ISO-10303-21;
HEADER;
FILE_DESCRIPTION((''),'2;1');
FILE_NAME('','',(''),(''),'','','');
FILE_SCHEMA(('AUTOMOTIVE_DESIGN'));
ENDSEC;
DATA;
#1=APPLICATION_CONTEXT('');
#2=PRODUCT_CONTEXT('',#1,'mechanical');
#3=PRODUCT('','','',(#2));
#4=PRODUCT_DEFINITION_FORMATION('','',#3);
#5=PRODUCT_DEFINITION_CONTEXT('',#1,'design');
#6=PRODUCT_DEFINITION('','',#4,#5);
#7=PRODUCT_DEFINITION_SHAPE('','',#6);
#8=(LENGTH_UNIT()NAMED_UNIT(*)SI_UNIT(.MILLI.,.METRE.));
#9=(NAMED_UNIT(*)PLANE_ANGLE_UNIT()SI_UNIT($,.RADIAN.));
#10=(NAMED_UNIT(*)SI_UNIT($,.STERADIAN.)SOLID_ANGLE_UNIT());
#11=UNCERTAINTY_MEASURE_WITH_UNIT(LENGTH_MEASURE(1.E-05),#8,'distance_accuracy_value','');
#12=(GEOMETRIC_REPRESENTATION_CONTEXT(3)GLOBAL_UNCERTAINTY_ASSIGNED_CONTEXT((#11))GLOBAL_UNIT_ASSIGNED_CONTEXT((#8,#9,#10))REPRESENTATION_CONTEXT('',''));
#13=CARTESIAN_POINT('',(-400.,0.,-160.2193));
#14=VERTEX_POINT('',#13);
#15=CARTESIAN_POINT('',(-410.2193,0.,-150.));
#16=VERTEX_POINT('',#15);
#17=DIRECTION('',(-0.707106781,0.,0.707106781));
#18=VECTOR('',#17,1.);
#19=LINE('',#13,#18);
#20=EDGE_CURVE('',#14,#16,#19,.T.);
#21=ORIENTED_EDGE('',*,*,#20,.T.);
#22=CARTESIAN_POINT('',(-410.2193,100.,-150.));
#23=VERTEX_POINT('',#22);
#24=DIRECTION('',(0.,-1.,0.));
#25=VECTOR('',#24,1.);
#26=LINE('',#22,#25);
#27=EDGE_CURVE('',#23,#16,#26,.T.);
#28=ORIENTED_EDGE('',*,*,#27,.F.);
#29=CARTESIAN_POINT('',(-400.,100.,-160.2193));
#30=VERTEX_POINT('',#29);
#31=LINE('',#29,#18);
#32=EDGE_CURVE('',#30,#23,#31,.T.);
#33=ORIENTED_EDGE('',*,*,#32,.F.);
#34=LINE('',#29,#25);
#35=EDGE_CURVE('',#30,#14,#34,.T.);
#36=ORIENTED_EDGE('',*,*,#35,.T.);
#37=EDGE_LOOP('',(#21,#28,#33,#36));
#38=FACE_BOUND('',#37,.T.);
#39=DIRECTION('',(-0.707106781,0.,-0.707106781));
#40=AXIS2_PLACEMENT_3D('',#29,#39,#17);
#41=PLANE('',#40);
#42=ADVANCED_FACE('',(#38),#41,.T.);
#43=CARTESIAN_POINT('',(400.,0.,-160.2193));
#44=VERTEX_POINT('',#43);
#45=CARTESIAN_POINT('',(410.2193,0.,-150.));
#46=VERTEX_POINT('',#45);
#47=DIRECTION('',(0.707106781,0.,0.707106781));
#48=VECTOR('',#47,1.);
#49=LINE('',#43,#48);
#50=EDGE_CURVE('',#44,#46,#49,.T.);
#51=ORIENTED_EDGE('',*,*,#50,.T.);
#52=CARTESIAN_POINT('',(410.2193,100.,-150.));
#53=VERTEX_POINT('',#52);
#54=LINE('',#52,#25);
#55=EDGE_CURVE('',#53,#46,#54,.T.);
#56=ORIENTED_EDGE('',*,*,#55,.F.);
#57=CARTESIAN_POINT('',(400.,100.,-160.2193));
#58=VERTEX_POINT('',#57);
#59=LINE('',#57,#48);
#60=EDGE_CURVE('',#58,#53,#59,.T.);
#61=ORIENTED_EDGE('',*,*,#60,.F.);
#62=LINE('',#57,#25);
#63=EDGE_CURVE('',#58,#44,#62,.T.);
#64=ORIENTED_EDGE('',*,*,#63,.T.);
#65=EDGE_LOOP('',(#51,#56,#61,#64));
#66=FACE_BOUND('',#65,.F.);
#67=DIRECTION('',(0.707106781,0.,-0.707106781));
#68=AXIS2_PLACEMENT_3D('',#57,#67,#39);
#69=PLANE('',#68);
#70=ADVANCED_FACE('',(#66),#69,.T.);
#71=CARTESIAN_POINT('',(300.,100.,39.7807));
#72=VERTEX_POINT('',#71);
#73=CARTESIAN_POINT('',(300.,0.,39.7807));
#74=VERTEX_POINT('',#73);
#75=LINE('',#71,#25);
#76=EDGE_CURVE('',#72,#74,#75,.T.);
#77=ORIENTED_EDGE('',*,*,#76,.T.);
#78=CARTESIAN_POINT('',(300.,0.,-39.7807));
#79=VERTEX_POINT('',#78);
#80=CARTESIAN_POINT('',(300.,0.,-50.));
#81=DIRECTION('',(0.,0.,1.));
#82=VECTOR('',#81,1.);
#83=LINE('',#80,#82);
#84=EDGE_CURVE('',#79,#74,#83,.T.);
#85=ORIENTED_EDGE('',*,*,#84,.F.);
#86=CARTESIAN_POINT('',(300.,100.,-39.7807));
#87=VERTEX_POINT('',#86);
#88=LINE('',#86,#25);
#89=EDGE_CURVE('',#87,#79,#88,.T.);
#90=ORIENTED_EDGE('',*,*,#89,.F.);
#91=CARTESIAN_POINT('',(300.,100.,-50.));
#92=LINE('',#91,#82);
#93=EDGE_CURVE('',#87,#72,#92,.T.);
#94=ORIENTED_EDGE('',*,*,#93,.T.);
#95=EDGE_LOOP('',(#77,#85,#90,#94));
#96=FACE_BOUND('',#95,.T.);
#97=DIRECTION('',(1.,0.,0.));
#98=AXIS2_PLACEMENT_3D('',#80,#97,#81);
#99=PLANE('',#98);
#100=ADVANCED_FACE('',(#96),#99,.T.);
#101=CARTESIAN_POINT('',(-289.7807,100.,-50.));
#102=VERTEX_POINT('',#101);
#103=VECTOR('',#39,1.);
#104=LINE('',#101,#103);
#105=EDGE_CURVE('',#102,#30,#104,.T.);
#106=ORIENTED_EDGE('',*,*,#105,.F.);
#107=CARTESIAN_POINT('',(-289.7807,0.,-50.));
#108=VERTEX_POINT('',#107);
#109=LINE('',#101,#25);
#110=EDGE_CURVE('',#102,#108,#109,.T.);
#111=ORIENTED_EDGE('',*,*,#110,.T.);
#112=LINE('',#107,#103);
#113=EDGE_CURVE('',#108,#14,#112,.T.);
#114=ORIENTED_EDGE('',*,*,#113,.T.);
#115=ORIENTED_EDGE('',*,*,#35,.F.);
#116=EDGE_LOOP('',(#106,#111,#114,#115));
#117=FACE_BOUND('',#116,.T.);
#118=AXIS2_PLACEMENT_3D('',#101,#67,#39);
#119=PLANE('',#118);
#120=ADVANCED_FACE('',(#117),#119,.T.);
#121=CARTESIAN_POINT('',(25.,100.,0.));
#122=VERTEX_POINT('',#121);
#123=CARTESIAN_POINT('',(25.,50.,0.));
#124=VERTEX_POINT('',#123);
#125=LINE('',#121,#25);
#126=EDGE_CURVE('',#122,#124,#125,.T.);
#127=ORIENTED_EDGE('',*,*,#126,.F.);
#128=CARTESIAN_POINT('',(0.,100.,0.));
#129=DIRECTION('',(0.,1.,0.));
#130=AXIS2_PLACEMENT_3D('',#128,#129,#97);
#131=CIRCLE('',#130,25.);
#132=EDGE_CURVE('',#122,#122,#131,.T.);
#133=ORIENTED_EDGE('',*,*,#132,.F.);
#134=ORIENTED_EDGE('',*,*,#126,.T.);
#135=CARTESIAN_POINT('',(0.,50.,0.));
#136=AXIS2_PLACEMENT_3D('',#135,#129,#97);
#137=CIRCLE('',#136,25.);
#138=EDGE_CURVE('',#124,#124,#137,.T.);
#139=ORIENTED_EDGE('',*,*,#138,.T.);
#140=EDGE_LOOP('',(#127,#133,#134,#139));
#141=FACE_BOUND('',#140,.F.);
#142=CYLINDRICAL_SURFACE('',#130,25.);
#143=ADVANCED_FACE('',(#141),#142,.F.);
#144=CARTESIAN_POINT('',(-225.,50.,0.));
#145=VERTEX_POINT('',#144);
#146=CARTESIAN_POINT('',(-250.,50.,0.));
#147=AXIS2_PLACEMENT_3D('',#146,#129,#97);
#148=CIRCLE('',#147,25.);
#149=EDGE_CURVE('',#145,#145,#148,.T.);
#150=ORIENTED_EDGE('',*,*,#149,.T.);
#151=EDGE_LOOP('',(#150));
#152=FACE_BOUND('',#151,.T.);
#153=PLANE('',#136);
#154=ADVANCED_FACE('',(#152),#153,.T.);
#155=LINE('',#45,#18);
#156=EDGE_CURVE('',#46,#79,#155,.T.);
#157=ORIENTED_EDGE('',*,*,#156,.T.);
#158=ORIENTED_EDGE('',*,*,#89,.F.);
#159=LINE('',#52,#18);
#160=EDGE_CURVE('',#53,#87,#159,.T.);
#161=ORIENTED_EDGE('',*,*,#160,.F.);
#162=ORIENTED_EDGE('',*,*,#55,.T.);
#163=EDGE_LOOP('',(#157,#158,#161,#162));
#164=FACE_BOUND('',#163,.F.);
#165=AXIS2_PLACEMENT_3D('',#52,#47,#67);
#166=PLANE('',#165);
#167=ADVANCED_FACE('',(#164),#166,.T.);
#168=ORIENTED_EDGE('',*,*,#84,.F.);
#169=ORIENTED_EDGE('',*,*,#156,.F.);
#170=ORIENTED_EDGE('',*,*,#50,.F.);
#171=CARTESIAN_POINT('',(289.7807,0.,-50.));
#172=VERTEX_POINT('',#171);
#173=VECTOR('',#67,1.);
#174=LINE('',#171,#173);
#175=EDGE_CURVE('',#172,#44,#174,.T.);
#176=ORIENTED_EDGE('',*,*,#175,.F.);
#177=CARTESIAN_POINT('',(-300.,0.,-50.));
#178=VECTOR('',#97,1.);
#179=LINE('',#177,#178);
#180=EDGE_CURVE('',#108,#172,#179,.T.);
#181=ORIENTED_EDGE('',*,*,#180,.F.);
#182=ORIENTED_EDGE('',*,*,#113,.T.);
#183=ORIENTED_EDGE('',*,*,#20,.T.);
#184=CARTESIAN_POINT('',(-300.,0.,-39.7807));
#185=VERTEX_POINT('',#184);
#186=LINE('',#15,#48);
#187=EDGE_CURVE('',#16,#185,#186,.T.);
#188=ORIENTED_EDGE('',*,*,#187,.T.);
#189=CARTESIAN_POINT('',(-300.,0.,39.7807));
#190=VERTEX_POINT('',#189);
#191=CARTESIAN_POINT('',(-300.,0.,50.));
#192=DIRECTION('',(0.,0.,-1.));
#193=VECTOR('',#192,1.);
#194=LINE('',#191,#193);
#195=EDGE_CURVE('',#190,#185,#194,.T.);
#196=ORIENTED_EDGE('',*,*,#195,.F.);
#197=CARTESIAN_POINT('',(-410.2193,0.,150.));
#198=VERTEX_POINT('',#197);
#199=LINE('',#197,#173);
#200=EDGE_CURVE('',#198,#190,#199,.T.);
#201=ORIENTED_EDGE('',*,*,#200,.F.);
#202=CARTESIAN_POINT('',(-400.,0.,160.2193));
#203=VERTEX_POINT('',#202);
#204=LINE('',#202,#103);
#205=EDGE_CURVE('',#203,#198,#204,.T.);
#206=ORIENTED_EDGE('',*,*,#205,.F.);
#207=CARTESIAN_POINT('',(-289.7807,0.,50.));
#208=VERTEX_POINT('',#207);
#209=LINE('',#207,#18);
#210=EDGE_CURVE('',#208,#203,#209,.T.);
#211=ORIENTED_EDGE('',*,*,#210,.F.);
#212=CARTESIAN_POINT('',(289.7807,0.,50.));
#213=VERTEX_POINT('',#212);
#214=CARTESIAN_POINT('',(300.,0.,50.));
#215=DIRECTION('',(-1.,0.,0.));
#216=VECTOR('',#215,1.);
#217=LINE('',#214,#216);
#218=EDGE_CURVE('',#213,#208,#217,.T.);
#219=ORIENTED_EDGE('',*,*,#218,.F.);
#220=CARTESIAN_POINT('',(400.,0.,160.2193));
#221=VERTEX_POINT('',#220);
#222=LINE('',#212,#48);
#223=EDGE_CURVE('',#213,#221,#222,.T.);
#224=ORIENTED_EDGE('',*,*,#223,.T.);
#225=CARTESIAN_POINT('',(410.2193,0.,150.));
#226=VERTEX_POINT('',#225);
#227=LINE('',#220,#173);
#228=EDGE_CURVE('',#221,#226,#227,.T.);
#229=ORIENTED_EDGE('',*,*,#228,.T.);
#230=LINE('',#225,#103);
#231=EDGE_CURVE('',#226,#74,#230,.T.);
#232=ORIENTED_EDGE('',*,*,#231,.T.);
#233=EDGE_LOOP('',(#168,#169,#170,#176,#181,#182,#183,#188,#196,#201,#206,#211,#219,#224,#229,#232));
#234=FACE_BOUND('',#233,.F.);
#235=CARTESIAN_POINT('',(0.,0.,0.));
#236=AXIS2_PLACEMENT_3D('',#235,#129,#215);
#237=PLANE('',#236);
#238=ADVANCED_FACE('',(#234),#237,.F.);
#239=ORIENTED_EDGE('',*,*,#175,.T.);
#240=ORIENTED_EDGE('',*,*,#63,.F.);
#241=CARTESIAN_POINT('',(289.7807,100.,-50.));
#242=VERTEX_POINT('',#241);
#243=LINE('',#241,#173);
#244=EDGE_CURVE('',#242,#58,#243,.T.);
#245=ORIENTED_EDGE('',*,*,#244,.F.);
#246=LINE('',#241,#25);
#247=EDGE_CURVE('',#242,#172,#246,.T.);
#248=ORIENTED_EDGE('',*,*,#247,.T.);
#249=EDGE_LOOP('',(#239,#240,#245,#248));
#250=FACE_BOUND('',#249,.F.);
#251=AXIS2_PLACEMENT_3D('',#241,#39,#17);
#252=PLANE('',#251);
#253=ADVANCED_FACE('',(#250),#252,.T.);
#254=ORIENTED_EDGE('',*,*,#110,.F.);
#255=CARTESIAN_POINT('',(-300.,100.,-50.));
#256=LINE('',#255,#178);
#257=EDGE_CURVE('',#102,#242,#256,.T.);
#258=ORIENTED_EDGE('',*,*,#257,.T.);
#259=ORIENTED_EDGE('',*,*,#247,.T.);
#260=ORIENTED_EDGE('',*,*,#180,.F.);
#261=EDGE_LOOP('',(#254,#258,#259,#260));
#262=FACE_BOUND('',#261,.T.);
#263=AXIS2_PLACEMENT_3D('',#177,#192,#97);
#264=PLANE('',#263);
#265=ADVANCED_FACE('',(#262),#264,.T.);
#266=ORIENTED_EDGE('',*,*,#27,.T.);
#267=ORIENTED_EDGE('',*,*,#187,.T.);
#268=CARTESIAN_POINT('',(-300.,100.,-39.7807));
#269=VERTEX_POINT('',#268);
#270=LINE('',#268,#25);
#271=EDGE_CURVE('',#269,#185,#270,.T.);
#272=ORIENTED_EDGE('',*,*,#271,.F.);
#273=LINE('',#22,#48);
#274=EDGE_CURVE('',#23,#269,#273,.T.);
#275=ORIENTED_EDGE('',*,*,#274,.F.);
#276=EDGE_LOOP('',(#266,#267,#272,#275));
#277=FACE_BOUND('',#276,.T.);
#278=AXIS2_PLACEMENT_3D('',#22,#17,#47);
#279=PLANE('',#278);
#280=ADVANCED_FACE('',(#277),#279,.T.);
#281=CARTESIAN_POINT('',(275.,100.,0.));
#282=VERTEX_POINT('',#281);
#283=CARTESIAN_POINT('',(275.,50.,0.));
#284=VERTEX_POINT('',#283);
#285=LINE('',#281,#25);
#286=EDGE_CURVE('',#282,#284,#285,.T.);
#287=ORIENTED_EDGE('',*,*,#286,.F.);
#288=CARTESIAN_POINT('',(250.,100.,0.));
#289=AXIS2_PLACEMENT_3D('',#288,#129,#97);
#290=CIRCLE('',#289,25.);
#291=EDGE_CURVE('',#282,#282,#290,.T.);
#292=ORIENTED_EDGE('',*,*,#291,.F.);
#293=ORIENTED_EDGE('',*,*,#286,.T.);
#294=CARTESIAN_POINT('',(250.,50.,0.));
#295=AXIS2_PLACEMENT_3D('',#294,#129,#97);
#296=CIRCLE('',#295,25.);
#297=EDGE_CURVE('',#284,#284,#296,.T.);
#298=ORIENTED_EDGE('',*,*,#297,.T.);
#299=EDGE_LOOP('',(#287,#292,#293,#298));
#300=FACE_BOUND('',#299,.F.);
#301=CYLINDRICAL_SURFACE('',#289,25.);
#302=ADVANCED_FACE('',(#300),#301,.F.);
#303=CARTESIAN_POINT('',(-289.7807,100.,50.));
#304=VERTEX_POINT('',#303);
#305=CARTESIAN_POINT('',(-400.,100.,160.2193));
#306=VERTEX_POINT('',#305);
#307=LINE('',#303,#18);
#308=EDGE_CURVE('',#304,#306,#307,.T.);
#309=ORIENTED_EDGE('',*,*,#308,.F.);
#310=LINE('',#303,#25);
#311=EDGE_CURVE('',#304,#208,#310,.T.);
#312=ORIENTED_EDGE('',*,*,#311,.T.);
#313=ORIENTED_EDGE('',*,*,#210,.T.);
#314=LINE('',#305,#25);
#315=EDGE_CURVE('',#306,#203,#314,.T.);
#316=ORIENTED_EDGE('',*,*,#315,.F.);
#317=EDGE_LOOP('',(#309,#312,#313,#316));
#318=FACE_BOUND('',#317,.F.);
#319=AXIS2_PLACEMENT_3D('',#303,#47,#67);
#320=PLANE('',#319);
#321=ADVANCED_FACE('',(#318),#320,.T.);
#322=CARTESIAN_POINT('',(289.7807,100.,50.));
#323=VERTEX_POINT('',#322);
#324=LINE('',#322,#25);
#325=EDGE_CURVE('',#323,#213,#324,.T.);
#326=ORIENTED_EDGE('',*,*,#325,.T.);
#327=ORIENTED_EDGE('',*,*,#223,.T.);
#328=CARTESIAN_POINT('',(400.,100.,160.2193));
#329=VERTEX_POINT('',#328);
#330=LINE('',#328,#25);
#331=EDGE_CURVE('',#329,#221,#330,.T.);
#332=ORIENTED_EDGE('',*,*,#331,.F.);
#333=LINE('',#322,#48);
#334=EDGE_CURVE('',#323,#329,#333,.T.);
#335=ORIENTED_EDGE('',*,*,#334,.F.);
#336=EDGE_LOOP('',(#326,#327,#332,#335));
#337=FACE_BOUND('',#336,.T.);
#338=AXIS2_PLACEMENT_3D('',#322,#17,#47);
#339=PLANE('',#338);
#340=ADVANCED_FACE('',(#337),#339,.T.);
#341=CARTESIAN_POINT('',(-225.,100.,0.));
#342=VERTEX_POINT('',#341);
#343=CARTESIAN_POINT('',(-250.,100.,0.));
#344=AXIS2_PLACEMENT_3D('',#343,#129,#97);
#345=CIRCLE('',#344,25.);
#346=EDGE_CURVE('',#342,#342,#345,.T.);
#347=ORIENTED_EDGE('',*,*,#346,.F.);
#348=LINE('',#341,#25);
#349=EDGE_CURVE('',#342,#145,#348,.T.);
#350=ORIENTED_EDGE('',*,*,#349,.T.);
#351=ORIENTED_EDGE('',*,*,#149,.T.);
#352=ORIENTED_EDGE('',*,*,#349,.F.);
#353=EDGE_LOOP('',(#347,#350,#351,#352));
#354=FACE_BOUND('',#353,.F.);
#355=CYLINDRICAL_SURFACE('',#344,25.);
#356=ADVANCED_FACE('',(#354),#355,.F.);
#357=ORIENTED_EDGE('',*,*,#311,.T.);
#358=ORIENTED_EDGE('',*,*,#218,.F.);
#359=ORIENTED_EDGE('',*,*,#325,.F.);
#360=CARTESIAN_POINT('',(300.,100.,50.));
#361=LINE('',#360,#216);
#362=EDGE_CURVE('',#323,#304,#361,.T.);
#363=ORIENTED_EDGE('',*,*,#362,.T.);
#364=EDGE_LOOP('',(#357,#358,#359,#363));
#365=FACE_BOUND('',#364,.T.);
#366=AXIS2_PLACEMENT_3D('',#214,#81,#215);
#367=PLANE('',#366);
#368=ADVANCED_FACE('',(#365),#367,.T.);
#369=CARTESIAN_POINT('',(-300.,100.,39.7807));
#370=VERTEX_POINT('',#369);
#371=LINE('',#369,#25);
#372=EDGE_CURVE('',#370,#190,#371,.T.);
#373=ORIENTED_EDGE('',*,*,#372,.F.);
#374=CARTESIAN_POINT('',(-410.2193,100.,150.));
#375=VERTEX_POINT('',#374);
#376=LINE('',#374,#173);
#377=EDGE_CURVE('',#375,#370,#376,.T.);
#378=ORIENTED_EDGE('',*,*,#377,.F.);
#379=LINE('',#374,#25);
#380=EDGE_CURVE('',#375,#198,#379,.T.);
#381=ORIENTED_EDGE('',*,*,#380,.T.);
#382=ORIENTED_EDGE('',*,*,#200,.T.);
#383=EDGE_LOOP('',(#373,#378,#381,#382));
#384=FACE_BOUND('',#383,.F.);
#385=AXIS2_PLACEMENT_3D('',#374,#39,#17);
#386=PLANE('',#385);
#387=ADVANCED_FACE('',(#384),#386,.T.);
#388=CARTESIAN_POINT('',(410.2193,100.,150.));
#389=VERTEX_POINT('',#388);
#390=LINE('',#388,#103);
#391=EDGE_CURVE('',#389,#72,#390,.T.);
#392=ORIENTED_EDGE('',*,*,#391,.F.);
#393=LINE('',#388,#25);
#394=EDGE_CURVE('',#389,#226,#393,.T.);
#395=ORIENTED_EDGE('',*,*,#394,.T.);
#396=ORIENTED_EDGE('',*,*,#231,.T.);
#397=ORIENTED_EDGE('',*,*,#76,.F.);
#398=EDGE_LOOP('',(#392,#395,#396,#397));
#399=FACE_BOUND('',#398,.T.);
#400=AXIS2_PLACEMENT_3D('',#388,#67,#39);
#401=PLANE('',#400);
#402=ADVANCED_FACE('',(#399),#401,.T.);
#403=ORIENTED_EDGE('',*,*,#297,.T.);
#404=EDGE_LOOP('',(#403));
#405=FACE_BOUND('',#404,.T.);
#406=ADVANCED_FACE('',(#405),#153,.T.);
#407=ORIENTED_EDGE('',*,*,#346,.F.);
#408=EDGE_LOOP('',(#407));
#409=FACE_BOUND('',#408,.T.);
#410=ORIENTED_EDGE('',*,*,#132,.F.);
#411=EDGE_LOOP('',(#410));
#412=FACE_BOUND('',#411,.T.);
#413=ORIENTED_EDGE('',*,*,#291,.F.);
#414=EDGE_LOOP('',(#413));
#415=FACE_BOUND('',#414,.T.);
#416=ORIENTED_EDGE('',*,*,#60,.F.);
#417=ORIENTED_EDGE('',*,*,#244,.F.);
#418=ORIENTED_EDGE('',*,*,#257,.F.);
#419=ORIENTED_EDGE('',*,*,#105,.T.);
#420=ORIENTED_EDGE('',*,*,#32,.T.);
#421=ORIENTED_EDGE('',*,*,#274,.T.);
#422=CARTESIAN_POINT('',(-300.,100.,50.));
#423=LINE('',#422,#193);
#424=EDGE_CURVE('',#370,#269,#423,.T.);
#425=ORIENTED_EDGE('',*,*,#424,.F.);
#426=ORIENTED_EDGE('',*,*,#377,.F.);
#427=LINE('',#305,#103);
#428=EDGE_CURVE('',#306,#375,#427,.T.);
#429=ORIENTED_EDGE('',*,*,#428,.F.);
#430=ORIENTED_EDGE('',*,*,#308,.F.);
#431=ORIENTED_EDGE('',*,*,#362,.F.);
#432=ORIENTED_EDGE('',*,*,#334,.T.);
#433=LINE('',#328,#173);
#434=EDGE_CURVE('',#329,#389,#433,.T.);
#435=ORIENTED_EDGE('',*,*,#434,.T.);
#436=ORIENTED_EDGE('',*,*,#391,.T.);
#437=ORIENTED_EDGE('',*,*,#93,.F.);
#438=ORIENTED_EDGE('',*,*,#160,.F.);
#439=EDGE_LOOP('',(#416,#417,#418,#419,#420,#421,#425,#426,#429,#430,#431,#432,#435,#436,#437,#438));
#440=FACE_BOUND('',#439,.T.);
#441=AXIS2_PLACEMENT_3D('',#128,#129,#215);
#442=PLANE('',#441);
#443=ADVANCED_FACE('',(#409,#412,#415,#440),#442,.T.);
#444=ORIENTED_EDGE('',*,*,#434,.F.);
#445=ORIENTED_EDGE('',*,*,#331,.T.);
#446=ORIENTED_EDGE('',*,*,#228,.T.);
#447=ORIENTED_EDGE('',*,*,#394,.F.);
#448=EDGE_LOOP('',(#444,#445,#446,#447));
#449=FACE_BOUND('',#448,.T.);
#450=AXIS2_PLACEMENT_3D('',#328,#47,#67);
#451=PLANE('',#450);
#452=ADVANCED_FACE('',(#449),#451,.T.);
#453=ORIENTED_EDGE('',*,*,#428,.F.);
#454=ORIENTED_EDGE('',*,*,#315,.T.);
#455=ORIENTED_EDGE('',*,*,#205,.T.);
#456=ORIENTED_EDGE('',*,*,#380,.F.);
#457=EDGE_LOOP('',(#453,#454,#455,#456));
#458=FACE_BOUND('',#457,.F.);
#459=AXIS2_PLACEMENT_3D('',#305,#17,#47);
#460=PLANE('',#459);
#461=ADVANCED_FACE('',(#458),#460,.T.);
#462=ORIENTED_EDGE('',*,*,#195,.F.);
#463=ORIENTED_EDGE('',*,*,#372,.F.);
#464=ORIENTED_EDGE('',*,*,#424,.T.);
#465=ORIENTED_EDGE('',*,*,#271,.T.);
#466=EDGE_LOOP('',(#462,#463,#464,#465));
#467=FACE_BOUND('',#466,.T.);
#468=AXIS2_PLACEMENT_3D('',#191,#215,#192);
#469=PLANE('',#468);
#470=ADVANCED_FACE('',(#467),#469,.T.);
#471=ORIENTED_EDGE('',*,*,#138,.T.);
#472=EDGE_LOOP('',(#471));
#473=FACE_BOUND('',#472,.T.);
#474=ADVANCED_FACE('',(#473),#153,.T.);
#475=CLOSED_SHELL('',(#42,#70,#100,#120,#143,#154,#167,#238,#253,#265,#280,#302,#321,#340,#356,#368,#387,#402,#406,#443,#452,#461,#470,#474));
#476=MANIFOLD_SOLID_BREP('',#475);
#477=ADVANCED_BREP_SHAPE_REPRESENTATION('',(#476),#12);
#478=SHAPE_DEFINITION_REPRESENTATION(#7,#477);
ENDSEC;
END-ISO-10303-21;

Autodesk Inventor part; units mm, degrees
ref_plane "YZ Plane" through (0, 0, 0) normal (1, 0, 0) x (0, 1, 0)
ref_plane "XZ Plane" through (0, 0, 0) normal (0, 1, 0) x (-1, 0, 0)
ref_plane "XY Plane" through (0, 0, 0) normal (0, 0, 1) x (1, 0, 0)
sketch "Sketch1" plane through (0, 0, 0) normal (0, 1, 0) x (-1, 0, 0)
  line L0 (-300, 50) -> (300, 50)
  line L1 (300, 50) -> (300, -50)
  line L2 (300, -50) -> (-300, -50)
  line L3 (-300, -50) -> (-300, 50)
  line L4 (-300, 50) -> (300, -50) construction
  line L5 (300, 50) -> (-300, -50) construction
  point P0 (0, 0)
  dimension "d0" = 100
  dimension "d1" = 600
extrude "Extrusion1" add sketch "Sketch1" along normal blind 100
sketch "Sketch2" plane through (0, 100, 0) normal (0, 1, 0) x (1, 0, 0)
  line L0 (300, 50) -> (-300, 50) projected
  line L1 (-300, 50) -> (-400, 150) construction
  line L2 (-410.2193, 150) -> (-300, 39.7807)
  line L3 (-300, 39.7807) -> (-289.7807, 50)
  line L4 (-289.7807, 50) -> (-400, 160.2193)
  line L5 (-400, 160.2193) -> (-410.2193, 150)
  line L6 (-410.2193, 150) -> (-289.7807, 50) construction
  line L7 (-300, 39.7807) -> (-400, 160.2193) construction
  point P0 (0, 0)
  point P1 (-350, 100)
  dimension "d4" = 135
  dimension "d5" = 100
  dimension "d6" = 135
extrude "Extrusion2" add sketch "Sketch2" against normal up to surface (100 mm away)
mirror "Mirror1" about plane through (0, 0, 0) normal (1, 0, 0) of "Extrusion2"
mirror "Mirror2" about plane through (0, 0, 0) normal (0, 0, 1) of "Extrusion2", "Mirror1"
sketch "Sketch4" plane through (0, 100, 0) normal (0, 1, 0) x (1, 0, 0)
  circle A0 centre (0, 0) radius 25
  line L0 (-300, 39.7807) -> (-300, -39.7807) construction
  line L1 (-300, 0) -> (300, 0) construction
  line L2 (300, -39.7807) -> (300, 39.7807) construction
  circle A1 centre (250, 0) radius 25
  line L3 (-50, 0) -> (550, 0) construction
  circle A2 centre (-250, 0) radius 25
  line L4 (-550, 0) -> (50, 0) construction
  circle A3 centre (0, 0) radius 25
  line L5 (-300, 0) -> (300, 0) construction
  dimension "d9" = 50
  dimension "d12" = 250
  dimension "d15" = 250
extrude "Extrusion3" cut sketch "Sketch4" against normal blind 50
properties part number "rotational_platform"
